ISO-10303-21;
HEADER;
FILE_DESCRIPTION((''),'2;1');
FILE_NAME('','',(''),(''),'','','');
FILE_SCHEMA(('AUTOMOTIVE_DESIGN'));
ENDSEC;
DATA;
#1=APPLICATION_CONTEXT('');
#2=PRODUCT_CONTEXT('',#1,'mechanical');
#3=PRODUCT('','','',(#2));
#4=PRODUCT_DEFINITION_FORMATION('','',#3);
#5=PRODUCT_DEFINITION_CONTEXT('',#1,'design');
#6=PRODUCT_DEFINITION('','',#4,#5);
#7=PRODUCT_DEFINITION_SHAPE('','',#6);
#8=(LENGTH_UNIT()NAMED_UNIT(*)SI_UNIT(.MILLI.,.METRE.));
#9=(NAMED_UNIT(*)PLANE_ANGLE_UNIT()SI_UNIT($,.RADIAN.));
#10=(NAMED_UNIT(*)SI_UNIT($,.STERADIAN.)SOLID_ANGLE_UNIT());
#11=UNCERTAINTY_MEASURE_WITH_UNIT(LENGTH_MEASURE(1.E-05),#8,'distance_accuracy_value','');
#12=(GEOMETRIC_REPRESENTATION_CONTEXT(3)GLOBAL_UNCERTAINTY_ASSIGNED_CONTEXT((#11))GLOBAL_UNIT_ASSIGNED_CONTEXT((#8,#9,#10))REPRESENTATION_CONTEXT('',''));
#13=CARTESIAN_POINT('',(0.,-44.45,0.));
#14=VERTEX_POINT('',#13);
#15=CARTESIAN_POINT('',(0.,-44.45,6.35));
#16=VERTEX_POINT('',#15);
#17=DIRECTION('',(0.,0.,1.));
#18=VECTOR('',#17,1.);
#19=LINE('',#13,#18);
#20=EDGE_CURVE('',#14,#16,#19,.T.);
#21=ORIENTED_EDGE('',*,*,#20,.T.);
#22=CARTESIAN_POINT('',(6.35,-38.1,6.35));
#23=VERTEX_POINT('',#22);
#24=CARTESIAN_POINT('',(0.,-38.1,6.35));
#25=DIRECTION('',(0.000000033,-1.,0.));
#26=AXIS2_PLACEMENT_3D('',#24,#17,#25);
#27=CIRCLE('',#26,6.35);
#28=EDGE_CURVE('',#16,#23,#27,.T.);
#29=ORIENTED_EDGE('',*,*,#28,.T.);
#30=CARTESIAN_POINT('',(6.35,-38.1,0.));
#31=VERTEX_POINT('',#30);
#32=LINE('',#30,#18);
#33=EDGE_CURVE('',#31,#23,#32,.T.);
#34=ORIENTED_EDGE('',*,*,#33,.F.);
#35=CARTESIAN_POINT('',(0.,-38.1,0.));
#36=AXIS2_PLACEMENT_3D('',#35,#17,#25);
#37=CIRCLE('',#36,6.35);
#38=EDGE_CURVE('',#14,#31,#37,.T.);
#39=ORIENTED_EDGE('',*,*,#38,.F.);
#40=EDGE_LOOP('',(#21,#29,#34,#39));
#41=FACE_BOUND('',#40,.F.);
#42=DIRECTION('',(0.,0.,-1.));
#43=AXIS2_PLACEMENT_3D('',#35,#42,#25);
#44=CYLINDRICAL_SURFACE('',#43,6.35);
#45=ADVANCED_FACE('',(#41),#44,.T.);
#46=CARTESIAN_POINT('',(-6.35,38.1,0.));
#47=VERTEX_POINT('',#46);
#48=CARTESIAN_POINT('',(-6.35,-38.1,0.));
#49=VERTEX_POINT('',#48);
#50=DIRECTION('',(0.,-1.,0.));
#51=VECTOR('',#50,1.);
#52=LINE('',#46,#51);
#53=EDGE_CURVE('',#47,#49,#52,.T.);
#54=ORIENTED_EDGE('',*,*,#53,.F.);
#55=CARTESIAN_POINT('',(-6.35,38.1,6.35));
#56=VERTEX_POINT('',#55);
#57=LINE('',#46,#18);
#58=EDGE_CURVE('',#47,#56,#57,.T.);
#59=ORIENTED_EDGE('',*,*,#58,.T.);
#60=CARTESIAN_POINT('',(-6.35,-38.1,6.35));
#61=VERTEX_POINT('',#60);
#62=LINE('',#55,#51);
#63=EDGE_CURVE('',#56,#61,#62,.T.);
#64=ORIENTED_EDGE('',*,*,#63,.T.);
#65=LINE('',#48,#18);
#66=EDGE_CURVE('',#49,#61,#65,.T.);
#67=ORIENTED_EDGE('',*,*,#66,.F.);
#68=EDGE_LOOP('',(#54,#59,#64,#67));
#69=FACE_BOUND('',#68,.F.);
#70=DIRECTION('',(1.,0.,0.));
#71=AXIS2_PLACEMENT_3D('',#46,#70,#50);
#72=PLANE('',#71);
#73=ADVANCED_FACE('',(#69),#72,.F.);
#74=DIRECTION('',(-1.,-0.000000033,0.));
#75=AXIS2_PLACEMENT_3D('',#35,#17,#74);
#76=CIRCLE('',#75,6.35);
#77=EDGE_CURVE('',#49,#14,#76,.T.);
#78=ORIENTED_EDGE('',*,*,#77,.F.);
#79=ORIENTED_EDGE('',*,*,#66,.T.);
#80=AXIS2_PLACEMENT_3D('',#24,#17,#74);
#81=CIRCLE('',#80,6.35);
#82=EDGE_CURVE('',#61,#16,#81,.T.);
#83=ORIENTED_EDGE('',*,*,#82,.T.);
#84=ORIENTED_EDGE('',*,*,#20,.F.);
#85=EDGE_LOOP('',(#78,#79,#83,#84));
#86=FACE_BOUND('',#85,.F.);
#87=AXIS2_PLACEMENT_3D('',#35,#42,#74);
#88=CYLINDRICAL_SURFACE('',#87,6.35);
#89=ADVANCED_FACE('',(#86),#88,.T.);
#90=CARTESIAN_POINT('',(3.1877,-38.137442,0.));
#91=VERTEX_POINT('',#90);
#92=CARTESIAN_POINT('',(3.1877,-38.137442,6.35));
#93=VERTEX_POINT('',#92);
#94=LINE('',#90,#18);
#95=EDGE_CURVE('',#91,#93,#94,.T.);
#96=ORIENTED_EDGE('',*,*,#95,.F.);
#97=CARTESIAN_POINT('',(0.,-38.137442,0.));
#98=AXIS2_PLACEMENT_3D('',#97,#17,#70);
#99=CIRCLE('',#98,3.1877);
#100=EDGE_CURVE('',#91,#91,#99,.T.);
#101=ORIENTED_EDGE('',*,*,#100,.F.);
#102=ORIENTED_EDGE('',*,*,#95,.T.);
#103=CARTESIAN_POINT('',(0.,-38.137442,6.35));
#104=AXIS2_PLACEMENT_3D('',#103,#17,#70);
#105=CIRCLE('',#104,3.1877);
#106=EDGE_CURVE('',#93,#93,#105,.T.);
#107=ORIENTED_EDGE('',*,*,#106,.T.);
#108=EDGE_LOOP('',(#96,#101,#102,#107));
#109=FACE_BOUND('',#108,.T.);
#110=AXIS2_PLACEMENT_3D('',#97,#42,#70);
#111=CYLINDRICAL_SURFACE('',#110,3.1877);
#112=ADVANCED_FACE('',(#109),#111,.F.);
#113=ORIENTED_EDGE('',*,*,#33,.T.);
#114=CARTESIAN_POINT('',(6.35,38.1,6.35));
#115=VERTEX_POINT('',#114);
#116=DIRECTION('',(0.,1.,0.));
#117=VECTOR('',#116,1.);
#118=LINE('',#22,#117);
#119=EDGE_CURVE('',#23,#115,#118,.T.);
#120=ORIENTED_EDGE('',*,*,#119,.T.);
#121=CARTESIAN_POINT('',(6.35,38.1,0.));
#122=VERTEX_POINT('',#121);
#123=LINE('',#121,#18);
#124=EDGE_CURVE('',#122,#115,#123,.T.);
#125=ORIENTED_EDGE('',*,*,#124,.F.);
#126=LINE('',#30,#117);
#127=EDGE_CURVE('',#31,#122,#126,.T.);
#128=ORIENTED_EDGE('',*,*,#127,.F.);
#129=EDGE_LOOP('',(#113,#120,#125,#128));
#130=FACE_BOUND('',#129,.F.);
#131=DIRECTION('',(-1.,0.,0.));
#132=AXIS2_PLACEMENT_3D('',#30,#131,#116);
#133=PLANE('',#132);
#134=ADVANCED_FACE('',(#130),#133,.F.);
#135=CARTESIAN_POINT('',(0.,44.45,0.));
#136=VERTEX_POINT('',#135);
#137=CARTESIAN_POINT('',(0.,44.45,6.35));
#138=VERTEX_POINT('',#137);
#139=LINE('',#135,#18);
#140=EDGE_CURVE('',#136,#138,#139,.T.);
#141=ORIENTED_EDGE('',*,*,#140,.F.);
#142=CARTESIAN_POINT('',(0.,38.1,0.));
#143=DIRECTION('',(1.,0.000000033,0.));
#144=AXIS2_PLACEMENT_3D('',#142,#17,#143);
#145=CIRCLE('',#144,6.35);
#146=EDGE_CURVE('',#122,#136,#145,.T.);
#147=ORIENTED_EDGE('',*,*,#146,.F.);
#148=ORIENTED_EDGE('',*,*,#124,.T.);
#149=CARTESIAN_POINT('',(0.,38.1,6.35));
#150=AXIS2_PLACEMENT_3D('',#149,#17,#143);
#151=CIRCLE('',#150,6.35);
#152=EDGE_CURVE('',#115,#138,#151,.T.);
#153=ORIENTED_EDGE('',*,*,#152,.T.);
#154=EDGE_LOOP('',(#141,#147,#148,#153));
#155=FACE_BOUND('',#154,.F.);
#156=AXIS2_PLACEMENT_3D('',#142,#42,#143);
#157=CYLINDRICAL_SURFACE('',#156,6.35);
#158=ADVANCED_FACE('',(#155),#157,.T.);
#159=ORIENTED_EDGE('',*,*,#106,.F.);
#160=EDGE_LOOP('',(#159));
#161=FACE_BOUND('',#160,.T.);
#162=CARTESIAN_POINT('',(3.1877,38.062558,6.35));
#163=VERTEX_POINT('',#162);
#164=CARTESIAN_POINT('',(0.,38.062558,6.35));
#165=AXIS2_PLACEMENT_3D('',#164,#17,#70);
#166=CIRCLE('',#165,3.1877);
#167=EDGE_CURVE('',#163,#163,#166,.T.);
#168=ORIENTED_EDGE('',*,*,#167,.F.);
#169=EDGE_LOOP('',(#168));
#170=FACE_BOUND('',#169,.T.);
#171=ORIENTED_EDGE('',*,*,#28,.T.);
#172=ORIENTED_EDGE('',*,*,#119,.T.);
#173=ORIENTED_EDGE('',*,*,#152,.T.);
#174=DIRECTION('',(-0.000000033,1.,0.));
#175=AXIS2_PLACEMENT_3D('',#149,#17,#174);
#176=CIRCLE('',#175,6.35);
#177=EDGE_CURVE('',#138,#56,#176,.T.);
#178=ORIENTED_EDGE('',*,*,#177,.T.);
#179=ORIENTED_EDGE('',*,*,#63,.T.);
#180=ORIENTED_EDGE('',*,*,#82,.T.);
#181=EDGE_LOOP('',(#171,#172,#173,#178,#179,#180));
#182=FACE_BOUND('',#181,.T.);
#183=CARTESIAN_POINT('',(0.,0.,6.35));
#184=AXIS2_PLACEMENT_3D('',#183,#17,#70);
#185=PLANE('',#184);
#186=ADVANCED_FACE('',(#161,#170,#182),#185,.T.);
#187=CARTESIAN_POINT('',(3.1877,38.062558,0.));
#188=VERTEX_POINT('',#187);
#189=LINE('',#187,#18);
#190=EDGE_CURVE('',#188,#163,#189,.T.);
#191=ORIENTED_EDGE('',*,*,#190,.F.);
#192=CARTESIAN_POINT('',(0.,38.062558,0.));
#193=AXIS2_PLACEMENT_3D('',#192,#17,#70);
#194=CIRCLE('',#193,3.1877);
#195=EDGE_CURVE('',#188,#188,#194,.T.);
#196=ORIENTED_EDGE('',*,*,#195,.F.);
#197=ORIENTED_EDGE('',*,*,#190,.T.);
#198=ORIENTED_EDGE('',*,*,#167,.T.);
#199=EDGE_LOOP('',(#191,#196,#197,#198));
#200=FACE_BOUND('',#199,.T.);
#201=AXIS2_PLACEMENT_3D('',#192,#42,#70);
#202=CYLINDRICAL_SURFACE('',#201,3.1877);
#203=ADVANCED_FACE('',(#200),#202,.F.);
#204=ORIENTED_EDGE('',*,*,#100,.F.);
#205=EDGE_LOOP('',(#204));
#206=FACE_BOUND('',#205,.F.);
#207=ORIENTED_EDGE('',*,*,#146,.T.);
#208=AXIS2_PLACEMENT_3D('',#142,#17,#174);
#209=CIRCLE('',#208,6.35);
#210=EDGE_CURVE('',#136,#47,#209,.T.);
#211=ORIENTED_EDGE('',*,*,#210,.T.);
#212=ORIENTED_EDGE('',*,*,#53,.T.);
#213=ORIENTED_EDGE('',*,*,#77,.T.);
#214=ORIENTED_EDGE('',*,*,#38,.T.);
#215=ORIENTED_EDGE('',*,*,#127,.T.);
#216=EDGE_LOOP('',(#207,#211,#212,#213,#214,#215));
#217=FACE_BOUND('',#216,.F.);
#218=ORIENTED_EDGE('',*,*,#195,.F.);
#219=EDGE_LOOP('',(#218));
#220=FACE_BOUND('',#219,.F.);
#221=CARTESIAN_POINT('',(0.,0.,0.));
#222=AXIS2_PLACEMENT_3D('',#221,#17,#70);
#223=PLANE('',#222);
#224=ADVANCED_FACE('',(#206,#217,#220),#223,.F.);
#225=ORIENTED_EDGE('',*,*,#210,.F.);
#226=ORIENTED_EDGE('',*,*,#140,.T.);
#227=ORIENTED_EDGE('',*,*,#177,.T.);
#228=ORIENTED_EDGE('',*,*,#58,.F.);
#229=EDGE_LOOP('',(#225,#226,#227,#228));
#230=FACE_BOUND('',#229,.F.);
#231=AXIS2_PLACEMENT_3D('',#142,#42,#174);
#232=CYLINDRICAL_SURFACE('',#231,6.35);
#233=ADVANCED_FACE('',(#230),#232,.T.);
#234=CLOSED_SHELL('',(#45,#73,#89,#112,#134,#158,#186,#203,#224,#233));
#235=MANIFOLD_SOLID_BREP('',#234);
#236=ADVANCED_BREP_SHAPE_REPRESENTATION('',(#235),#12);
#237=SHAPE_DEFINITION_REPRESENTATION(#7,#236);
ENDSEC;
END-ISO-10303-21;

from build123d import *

# Parameters (mm, degrees)
F0_R     = 3.1877
F1_DEPTH = 6.35


with BuildPart() as f1:
    # F0 (on Top) → F1 (new body)
    with BuildSketch(Plane.XY):
        with BuildLine():
            Line((6.35, -38.1), (6.35, 38.1))
            ThreePointArc((6.35, 38.1), (4.490128, 42.590128), (0, 44.45))
            ThreePointArc((0, 44.45), (-4.490128, 42.590128), (-6.35, 38.1))
            Line((-6.35, 38.1), (-6.35, -38.1))
            ThreePointArc((-6.35, -38.1), (-4.490128, -42.590128), (0, -44.45))
            ThreePointArc((0, -44.45), (4.490128, -42.590128), (6.35, -38.1))
        make_face()
        with Locations((0, -38.137442)):
            Circle(F0_R, mode=Mode.SUBTRACT)
        with Locations((0, 38.062558)):
            Circle(F0_R, mode=Mode.SUBTRACT)
    extrude(amount=F1_DEPTH)


solid = f1.part
